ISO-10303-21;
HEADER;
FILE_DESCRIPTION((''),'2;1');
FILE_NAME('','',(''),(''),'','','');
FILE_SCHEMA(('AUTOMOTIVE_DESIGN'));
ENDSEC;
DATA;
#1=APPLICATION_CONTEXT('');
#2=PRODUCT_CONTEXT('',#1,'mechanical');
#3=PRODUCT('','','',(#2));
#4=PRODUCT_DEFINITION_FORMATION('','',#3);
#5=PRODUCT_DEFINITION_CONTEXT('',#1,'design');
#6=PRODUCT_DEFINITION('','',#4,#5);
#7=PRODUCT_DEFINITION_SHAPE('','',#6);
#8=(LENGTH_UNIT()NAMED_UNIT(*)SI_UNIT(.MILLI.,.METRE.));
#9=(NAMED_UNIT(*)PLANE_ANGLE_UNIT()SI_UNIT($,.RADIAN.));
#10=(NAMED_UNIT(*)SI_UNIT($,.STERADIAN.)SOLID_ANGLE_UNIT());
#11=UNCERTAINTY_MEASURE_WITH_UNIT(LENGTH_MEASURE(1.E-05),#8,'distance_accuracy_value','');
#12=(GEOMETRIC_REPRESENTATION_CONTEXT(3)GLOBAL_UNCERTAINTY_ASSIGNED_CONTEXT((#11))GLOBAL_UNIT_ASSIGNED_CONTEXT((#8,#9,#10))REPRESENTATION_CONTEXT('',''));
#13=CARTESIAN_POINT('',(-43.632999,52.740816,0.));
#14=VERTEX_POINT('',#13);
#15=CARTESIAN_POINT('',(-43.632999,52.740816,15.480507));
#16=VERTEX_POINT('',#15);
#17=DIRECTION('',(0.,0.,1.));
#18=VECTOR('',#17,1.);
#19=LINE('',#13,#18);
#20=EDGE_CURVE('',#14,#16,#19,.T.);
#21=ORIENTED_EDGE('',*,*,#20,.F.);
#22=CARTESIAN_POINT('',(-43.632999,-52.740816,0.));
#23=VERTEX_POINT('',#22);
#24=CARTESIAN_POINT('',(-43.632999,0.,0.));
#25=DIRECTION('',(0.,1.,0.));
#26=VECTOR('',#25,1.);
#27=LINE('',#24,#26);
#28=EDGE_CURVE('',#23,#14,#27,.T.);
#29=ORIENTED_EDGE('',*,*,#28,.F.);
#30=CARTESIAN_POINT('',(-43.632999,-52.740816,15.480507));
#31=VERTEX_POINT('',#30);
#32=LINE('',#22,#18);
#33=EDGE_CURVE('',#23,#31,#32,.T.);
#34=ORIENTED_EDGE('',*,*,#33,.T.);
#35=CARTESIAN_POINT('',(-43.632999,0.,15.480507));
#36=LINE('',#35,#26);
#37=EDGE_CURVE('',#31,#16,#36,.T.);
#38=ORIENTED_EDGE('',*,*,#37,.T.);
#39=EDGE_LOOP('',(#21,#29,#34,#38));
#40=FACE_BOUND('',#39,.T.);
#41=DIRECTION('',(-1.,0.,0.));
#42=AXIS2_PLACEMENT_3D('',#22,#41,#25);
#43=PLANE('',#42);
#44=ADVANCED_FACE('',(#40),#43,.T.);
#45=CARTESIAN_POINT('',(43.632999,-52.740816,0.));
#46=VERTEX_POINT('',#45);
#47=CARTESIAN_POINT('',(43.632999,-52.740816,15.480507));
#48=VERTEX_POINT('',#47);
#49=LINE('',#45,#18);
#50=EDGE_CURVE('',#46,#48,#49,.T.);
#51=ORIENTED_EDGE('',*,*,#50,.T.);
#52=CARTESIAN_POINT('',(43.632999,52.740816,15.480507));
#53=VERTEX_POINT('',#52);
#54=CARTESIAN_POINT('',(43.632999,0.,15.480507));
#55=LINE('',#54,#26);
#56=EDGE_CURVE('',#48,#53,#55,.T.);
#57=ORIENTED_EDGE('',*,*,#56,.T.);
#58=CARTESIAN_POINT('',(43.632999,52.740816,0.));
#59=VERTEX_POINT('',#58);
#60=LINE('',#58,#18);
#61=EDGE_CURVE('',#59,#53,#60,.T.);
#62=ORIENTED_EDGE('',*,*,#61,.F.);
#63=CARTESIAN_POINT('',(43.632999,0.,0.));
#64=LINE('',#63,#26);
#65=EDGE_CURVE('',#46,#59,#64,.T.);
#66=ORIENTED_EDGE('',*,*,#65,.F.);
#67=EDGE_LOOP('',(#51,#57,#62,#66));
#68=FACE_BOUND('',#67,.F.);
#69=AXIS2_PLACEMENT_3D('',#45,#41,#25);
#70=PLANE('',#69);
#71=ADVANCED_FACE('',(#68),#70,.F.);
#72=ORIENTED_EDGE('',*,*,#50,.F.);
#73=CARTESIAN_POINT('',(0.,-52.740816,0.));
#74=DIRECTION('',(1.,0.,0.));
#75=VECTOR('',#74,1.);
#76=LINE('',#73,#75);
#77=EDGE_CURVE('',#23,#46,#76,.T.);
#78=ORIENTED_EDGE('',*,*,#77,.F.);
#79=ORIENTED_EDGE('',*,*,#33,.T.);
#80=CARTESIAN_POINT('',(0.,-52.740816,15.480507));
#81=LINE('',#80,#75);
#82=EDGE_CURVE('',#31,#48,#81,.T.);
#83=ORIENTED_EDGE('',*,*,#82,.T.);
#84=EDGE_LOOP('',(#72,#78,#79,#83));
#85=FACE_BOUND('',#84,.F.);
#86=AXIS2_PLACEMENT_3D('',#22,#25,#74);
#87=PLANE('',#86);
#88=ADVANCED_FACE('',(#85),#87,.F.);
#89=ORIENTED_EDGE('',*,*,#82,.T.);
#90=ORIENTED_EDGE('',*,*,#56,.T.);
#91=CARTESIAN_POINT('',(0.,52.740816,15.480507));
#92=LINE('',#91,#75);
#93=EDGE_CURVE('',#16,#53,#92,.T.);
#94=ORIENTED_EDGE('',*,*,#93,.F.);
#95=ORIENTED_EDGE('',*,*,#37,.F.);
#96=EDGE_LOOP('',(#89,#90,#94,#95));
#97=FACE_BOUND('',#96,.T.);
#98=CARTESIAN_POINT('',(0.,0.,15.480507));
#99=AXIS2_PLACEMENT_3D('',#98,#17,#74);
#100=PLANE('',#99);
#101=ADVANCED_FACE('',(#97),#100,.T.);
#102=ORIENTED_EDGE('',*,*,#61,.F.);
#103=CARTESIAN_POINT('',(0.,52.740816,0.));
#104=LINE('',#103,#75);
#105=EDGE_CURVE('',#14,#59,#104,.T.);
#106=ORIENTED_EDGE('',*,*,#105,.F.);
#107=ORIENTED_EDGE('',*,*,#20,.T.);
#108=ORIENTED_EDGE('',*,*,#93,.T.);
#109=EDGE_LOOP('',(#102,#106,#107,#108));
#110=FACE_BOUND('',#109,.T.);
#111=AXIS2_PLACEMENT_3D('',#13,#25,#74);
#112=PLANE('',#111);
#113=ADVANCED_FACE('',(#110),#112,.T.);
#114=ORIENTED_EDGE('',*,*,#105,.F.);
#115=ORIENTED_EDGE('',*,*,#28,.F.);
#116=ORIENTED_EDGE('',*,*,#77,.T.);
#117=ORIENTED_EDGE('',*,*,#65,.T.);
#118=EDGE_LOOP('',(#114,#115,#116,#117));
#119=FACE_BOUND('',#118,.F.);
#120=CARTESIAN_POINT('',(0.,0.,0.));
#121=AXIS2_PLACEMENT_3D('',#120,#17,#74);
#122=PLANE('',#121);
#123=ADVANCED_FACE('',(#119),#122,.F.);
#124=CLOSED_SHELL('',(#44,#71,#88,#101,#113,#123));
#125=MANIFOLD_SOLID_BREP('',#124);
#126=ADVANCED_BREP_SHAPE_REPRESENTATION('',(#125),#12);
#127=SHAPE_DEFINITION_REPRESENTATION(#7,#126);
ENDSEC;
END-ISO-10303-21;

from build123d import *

# Parameters (mm, degrees)
F1_W     = 87.265998
F1_H     = 105.481632
F2_DEPTH = 15.480507


with BuildPart() as f2:
    # F1 (on face) → F2 (new body)
    with BuildSketch(Plane.XY):
        Rectangle(F1_W, F1_H)
    extrude(amount=F2_DEPTH)


solid = f2.part
